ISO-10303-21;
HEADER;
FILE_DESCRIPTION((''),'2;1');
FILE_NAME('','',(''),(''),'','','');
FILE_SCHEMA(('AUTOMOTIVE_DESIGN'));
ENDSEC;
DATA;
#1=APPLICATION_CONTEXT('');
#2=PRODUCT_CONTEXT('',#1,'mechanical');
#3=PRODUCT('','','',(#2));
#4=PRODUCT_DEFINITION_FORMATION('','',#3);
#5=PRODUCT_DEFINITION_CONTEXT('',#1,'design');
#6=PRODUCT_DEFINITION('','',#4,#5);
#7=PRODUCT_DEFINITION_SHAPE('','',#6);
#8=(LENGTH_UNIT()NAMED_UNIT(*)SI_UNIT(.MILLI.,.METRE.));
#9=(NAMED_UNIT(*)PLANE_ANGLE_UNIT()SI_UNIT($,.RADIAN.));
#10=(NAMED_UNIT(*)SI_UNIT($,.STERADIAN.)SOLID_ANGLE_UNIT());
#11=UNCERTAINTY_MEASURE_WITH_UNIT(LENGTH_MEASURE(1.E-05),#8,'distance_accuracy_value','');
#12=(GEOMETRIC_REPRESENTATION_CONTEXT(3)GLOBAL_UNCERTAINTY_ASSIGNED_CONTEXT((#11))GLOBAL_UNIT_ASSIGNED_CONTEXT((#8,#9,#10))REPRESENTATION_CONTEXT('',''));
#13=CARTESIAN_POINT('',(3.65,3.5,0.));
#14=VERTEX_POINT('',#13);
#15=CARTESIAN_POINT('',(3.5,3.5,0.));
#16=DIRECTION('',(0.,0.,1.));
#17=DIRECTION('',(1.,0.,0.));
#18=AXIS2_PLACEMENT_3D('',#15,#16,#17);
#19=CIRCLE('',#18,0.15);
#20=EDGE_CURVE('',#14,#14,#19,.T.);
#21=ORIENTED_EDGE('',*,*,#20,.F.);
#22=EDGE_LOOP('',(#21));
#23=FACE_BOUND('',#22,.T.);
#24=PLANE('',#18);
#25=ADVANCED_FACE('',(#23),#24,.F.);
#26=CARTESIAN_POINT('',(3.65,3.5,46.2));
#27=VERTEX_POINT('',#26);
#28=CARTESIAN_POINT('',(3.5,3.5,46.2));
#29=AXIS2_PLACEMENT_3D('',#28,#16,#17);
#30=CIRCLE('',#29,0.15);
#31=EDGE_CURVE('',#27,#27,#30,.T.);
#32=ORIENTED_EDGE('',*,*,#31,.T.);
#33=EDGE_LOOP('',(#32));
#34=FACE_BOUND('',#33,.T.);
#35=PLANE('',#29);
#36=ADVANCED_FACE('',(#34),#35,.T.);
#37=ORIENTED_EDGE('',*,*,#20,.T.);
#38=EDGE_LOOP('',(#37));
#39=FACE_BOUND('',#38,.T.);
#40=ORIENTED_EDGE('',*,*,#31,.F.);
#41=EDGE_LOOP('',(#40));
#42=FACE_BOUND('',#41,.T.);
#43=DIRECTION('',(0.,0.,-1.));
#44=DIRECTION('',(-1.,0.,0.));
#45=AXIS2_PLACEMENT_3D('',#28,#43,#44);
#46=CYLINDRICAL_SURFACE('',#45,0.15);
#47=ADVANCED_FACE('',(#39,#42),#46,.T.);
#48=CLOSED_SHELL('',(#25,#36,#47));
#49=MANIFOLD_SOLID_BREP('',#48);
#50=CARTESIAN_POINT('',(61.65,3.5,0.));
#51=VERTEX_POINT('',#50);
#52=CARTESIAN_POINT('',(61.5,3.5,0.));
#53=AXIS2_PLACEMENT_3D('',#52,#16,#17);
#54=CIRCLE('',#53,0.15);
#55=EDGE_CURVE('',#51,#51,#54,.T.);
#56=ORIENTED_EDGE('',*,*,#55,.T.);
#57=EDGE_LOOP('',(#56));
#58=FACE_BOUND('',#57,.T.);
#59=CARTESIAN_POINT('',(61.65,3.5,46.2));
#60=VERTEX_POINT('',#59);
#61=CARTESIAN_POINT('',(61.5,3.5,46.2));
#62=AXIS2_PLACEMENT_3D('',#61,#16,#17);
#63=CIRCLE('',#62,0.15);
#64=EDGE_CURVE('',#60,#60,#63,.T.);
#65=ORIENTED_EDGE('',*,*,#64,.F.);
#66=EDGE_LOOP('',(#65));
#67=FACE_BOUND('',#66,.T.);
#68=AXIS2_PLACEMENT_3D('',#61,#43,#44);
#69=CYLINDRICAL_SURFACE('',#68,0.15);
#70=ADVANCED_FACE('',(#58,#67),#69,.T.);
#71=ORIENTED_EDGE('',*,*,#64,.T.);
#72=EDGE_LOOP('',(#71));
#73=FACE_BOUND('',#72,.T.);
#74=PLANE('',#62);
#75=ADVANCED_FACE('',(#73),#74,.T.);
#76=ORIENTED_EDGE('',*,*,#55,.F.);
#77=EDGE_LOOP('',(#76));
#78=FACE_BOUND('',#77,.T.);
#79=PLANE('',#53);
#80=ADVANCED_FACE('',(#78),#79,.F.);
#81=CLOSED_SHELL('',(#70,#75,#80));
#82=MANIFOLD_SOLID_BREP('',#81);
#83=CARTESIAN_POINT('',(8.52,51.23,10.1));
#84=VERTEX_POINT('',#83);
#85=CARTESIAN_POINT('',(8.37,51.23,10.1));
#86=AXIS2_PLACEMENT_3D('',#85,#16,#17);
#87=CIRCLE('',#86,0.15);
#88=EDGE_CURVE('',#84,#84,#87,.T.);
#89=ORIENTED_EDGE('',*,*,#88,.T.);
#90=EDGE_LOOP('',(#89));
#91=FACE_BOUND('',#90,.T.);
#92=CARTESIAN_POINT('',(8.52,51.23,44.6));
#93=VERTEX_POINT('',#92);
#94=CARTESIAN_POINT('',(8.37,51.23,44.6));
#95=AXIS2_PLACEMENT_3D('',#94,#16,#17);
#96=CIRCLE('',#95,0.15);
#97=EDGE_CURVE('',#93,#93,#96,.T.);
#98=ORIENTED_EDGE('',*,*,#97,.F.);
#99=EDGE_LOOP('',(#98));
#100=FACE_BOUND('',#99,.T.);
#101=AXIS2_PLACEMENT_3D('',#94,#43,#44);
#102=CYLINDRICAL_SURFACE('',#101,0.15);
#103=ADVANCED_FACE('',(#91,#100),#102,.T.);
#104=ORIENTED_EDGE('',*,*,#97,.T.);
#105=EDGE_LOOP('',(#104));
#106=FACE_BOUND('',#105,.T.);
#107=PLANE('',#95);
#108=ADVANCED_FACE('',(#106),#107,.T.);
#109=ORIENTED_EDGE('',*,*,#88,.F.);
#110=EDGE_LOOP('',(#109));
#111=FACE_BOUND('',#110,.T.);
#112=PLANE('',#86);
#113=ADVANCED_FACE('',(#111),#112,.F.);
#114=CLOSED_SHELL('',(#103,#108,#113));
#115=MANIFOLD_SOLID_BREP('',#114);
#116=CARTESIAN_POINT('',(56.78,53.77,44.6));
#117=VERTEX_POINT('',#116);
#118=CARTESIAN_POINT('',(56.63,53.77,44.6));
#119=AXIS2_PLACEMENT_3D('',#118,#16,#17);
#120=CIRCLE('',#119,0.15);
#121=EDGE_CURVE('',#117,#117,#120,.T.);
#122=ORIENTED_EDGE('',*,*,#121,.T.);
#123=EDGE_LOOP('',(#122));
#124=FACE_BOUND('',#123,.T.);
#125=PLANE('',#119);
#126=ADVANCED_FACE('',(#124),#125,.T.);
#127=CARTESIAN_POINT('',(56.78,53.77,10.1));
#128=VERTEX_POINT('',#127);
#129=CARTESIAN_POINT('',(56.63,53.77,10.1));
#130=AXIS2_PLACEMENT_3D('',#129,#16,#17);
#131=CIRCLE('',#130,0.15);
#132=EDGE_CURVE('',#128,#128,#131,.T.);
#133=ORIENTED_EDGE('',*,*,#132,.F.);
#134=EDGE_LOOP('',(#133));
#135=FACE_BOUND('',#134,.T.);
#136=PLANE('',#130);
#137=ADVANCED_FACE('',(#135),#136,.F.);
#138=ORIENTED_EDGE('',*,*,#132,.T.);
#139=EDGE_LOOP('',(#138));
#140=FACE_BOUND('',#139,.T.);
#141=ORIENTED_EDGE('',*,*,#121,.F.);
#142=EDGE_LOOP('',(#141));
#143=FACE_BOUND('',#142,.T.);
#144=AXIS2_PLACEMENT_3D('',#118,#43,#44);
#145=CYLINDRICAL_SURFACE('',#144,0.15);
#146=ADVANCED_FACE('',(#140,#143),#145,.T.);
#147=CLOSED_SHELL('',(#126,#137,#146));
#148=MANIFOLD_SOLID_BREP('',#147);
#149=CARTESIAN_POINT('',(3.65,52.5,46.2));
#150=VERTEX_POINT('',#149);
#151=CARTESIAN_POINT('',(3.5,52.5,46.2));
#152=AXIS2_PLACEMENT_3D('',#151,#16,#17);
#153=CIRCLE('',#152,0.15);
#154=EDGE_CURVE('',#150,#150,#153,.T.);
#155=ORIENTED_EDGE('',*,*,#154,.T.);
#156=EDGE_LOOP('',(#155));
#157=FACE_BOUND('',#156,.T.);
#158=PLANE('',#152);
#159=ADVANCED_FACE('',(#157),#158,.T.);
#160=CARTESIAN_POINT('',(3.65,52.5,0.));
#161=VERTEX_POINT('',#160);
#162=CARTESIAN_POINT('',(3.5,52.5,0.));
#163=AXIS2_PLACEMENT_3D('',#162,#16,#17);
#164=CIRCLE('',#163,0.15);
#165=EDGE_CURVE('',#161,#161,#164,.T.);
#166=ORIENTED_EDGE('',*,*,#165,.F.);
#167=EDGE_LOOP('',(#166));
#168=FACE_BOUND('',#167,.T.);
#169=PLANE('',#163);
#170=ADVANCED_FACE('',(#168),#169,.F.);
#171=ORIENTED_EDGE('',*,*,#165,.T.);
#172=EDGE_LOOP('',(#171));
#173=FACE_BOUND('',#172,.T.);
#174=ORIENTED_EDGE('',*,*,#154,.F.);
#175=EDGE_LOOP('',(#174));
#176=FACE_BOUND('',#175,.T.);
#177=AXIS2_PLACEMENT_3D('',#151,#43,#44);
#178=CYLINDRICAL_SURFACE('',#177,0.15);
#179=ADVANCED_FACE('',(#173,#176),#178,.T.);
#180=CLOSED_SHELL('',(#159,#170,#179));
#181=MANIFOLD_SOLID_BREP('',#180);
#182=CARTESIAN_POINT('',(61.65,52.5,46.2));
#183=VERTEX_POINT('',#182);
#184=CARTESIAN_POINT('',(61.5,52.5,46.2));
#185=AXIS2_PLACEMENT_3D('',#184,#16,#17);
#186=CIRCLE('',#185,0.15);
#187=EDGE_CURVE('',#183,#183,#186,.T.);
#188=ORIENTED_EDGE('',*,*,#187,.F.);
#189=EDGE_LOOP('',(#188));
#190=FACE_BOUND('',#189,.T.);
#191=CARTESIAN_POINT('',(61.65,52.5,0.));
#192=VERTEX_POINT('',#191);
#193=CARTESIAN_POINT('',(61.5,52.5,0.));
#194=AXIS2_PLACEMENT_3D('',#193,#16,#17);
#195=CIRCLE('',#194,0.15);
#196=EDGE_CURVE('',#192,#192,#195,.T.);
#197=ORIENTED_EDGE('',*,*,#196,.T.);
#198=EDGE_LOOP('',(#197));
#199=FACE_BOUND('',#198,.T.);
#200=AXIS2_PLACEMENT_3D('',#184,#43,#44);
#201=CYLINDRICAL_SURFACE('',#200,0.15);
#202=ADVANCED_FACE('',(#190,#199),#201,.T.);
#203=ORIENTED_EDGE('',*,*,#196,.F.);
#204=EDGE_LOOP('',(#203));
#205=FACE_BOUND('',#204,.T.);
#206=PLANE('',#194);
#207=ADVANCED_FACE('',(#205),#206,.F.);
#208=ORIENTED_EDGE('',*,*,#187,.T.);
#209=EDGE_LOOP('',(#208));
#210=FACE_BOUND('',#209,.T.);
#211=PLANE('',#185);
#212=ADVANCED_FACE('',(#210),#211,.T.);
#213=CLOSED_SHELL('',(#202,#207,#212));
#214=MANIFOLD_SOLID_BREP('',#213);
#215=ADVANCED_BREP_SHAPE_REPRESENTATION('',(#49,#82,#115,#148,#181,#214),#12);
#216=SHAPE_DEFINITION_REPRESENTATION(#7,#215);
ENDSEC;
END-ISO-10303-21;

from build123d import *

# Parameters (mm, degrees)
SKETCH1_R      = 0.15
LINE_1_DEPTH   = 46.2
LINE_1_2_DEPTH = 46.2
LINE_1_3_DEPTH = 46.2
LINE_1_4_DEPTH = 46.2
SKETCH2_R      = 0.15
LINE_2_DEPTH   = 34.5
LINE_2_2_DEPTH = 34.5


with BuildPart() as part:
    # Sketch1 → Line_1 (new body)
    with BuildSketch(Plane.XY):
        with Locations((3.5, 3.5)):
            Circle(SKETCH1_R)
    extrude(amount=LINE_1_DEPTH)


with BuildPart() as body_2:
    # Sketch1 → Line_1 2 (new body)
    with BuildSketch(Plane.XY):
        with Locations((61.5, 3.5)):
            Circle(SKETCH1_R)
    extrude(amount=LINE_1_2_DEPTH)


with BuildPart() as body_3:
    # Sketch1 → Line_1 3 (new body)
    with BuildSketch(Plane.XY):
        with Locations((3.5, 52.5)):
            Circle(SKETCH1_R)
    extrude(amount=LINE_1_3_DEPTH)


with BuildPart() as body_4:
    # Sketch1 → Line_1 4 (new body)
    with BuildSketch(Plane.XY):
        with Locations((61.5, 52.5)):
            Circle(SKETCH1_R)
    extrude(amount=LINE_1_4_DEPTH)


with BuildPart() as body_5:
    # Sketch2 → Line_2 (new body)
    with BuildSketch(Plane.XY.offset(10.1)):
        with Locations((8.37, 51.23)):
            Circle(SKETCH2_R)
    extrude(amount=LINE_2_DEPTH)


with BuildPart() as body_6:
    # Sketch2 → Line_2 2 (new body)
    with BuildSketch(Plane.XY.offset(10.1)):
        with Locations((56.63, 53.77)):
            Circle(SKETCH2_R)
    extrude(amount=LINE_2_2_DEPTH)


solid = Compound([part.part, body_2.part, body_3.part, body_4.part, body_5.part, body_6.part])
